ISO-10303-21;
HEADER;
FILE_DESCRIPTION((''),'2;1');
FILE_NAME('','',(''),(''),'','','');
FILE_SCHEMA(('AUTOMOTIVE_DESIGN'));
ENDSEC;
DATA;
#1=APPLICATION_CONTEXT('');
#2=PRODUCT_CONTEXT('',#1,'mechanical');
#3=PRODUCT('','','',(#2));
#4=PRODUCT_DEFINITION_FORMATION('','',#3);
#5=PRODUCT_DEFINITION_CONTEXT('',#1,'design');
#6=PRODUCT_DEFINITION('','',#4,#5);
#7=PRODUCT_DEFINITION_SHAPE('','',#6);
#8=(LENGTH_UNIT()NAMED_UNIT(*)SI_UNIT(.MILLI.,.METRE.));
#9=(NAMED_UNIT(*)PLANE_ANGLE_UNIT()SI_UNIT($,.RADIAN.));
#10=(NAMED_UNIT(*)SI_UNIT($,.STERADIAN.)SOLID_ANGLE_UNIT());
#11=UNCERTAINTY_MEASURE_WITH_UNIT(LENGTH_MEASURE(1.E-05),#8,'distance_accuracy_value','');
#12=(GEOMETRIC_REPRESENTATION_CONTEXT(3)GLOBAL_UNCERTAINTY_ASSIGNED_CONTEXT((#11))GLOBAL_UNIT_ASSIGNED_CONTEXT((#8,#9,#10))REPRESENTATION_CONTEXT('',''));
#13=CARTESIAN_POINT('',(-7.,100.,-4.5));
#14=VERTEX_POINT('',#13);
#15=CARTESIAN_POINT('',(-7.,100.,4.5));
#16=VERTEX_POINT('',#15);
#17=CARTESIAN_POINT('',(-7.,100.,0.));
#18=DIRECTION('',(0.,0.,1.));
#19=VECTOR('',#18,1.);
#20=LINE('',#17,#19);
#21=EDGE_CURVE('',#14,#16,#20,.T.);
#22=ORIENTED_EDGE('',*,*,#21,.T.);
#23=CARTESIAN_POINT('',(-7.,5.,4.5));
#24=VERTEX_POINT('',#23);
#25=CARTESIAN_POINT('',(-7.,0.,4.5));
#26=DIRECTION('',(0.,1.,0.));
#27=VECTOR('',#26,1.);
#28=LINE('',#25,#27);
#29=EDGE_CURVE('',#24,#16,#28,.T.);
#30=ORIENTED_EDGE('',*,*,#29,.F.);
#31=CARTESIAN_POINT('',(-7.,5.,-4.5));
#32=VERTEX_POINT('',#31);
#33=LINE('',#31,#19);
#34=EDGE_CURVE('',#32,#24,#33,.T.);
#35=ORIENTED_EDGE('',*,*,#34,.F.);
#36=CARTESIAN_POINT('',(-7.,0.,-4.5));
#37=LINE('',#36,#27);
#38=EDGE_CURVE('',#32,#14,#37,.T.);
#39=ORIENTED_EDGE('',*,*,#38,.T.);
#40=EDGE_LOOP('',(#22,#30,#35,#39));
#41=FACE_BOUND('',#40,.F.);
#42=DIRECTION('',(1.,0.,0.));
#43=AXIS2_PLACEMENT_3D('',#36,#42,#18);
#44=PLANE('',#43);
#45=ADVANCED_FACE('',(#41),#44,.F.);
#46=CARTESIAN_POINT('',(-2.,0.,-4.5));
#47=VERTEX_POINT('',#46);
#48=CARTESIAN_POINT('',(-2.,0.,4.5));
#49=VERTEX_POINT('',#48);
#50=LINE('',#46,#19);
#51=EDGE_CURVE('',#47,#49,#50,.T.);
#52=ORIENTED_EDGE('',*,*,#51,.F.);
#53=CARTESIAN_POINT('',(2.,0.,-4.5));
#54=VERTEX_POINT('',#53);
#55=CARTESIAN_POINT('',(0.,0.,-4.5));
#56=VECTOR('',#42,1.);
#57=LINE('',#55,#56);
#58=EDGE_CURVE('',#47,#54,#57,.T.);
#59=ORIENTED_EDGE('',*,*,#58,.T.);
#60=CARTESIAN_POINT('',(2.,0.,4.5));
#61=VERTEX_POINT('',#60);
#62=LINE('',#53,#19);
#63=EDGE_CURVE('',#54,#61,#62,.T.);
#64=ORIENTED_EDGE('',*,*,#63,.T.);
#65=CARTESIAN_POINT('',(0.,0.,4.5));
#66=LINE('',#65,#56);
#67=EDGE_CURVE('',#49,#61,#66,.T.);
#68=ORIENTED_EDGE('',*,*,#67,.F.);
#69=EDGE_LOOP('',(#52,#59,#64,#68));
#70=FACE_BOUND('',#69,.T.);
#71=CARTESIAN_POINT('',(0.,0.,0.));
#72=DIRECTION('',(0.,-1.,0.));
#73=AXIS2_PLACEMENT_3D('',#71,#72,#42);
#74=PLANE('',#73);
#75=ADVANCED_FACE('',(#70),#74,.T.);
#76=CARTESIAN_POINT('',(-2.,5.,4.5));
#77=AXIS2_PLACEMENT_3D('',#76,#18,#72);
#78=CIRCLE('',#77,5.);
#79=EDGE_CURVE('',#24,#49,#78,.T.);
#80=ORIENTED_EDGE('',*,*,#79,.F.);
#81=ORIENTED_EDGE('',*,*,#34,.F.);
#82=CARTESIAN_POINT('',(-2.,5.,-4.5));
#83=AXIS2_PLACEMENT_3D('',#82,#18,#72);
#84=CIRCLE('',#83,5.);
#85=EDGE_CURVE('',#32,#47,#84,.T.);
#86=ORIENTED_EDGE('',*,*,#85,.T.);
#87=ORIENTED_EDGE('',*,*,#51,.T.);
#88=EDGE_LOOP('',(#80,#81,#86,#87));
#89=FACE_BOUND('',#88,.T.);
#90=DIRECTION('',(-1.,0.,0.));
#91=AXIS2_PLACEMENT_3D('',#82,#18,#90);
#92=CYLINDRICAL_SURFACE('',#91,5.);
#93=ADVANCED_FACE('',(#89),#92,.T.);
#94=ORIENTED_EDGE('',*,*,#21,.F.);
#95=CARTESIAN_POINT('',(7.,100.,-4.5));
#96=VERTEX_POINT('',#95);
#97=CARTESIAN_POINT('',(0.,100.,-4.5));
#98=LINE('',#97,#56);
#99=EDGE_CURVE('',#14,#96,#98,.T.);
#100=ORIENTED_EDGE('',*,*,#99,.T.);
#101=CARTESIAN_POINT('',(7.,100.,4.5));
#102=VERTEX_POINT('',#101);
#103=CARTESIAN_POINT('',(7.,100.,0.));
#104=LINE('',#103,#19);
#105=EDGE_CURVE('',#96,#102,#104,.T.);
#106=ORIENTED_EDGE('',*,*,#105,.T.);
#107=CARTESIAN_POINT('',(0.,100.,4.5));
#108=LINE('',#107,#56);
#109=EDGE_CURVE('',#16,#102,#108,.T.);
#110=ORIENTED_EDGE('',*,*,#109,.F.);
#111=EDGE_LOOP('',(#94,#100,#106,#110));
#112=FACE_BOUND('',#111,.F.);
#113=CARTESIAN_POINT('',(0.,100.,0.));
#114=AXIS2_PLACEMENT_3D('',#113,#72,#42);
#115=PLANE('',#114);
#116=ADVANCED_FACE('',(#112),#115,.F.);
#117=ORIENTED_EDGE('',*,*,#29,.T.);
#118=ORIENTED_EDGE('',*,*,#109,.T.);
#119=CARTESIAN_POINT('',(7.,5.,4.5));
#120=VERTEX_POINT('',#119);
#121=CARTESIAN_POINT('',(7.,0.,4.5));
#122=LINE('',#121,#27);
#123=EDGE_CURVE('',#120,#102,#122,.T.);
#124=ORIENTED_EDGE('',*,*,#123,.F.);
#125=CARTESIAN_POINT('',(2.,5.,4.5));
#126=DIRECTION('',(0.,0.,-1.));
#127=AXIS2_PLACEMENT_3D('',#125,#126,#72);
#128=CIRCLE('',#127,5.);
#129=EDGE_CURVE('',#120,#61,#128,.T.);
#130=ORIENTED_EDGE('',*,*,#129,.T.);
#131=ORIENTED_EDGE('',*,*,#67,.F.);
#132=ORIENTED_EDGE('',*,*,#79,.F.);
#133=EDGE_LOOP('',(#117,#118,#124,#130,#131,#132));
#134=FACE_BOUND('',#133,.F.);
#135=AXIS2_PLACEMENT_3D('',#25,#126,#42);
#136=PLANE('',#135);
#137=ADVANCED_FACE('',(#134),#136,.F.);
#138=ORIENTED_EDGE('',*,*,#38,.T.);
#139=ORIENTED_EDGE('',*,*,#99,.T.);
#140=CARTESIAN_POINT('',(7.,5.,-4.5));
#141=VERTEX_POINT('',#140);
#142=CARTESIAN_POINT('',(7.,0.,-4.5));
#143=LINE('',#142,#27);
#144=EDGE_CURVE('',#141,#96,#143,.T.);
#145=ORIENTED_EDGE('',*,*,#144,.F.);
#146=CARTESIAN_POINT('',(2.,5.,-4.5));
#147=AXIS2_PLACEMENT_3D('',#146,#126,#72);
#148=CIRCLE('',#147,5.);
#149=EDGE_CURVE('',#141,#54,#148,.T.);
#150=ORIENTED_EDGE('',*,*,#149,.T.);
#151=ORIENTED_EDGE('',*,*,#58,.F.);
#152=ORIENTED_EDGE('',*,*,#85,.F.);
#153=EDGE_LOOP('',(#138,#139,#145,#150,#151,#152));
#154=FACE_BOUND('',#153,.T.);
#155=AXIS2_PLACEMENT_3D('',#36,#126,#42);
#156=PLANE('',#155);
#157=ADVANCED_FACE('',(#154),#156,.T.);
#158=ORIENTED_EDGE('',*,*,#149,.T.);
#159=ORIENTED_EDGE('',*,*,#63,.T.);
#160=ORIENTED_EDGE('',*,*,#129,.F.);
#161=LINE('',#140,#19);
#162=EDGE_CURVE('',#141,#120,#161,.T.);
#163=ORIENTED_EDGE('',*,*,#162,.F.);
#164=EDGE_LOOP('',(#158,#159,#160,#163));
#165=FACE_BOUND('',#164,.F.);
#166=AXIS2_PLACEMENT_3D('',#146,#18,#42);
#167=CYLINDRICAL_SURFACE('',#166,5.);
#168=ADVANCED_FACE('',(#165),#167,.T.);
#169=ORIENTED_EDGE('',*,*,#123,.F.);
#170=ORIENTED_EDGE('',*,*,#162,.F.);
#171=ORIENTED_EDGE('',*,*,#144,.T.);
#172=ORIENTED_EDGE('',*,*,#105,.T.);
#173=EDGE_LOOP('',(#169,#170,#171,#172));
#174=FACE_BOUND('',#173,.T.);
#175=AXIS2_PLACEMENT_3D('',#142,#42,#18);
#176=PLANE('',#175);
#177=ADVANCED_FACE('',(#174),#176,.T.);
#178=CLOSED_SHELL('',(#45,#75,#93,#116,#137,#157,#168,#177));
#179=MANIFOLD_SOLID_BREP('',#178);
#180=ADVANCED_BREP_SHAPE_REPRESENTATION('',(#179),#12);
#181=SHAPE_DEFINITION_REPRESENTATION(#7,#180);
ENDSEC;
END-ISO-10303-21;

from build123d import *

# Parameters (mm, degrees)
F0_W     = 14
F0_H     = 9
F1_DEPTH = 100
F2_R     = 5


with BuildPart() as f1:
    # F0 (on Front) → F1 (new body)
    with BuildSketch(Plane.XZ):
        Rectangle(F0_W, F0_H)
    extrude(amount=-F1_DEPTH)

    # F2
    f2_edges = [f1.edges().sort_by_distance(p)[0] for p in [
        (-7, 0, 0),
        (7, 0, 0),
    ]]
    fillet(f2_edges, radius=F2_R)


solid = f1.part
